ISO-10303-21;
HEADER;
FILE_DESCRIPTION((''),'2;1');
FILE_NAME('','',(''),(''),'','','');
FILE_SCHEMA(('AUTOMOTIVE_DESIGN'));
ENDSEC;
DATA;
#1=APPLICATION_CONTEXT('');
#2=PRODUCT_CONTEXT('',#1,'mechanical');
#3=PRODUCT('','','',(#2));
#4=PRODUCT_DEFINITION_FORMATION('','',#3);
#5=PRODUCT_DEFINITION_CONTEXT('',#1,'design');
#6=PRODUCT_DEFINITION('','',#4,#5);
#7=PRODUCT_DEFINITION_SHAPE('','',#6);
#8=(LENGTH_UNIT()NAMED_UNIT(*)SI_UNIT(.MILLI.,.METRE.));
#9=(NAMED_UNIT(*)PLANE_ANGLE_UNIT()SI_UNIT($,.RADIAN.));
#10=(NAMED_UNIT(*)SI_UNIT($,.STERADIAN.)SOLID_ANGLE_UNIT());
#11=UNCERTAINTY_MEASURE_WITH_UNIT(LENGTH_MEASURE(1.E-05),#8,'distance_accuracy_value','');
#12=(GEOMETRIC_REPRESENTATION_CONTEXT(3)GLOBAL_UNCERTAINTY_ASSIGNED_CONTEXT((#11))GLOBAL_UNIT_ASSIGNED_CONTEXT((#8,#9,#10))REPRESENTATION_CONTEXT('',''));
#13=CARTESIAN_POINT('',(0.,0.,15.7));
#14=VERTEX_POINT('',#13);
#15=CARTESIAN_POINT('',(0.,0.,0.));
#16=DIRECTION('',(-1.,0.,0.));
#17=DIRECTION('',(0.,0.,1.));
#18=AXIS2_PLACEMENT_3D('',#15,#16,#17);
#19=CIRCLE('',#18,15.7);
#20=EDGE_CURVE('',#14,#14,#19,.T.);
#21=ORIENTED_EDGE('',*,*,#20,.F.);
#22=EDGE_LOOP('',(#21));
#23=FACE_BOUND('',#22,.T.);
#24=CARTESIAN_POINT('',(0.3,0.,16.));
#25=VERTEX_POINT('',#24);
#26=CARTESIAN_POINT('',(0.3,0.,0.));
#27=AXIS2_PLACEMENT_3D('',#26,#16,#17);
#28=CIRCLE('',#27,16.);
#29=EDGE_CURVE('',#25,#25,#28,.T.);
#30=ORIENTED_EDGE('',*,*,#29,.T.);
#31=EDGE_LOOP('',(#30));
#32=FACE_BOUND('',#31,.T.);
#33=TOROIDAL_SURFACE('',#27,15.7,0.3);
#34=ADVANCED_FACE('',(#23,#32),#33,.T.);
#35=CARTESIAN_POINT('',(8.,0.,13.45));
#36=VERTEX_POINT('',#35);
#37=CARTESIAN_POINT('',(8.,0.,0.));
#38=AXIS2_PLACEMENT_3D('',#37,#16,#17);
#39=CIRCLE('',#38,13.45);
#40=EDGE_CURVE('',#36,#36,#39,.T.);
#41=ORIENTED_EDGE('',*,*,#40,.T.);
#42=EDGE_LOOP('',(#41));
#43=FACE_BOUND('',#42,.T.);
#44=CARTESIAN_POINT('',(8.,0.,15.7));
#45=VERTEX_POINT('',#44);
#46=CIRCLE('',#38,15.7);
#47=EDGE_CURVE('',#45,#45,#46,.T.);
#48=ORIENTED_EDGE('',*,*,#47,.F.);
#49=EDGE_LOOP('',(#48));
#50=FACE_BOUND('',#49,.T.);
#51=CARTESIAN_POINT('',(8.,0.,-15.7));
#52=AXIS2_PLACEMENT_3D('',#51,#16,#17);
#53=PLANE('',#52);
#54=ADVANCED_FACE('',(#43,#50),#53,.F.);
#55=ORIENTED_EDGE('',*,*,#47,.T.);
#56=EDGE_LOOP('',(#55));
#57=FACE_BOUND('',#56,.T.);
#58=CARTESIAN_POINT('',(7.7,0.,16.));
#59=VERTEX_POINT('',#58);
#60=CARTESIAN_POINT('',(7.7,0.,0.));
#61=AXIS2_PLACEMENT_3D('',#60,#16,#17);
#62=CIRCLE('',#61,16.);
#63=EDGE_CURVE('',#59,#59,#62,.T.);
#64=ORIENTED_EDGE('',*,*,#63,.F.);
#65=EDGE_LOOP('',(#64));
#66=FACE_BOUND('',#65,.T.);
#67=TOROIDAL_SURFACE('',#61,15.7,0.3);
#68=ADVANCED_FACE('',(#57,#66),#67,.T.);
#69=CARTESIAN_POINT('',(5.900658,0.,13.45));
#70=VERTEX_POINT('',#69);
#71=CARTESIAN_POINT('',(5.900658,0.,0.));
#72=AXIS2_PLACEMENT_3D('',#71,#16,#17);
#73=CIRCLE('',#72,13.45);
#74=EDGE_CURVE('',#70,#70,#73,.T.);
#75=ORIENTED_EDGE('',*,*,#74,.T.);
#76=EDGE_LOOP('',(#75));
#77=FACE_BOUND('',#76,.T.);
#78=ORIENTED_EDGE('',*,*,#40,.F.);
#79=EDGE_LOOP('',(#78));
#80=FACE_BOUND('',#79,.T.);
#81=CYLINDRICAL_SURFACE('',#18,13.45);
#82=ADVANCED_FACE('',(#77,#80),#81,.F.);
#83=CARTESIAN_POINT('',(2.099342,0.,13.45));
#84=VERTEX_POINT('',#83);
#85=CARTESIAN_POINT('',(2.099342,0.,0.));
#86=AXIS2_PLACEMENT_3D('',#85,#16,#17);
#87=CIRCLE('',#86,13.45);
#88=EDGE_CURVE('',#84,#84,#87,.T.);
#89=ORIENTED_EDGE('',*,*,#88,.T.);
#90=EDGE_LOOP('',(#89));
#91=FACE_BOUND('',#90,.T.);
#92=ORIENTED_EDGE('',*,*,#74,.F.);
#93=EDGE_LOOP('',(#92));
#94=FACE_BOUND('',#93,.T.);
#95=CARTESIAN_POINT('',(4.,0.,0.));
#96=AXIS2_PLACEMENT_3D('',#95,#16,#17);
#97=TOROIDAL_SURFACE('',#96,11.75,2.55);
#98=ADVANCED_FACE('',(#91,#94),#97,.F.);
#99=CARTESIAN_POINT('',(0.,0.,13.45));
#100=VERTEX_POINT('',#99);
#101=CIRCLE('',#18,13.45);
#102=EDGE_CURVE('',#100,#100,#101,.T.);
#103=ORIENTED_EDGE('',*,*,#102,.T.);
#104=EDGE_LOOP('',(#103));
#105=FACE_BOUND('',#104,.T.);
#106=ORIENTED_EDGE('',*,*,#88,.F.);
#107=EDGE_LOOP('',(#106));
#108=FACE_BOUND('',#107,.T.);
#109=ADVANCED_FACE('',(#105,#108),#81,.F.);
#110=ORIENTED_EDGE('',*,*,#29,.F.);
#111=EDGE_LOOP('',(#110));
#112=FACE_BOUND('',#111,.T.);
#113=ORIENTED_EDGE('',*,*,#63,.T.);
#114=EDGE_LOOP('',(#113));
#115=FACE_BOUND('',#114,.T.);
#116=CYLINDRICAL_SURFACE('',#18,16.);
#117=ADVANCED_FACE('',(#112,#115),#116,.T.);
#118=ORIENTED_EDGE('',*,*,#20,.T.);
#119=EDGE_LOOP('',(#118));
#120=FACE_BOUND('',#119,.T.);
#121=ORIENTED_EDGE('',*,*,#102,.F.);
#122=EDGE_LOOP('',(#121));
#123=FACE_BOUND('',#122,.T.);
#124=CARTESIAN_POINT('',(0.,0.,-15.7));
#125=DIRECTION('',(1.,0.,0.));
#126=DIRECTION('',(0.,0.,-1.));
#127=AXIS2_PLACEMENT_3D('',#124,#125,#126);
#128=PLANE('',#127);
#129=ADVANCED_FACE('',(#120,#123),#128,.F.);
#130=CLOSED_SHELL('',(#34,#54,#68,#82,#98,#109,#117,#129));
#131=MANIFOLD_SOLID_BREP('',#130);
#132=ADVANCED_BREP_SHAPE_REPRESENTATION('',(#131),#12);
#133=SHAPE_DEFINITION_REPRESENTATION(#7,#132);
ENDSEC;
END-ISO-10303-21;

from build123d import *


with BuildPart() as part:
    # Esquisse1 → Base-Révolution (revolve)
    with BuildSketch(Plane(origin=(0, 0, 0), x_dir=(1, 0, 0), z_dir=(0, 1, 0))):
        with BuildLine():
            Line((0, 15.7), (0, 13.45))
            Line((0, 13.45), (2.099342219, 13.45))
            ThreePointArc((2.099342219, 13.45), (4, 14.3), (5.900657781, 13.45))
            Line((5.900657781, 13.45), (8, 13.45))
            Line((8, 13.45), (8, 15.7))
            ThreePointArc((8, 15.7), (7.912132034, 15.912132034), (7.7, 16))
            Line((7.7, 16), (0.3, 16))
            ThreePointArc((0.3, 16), (0.087867966, 15.912132034), (0, 15.7))
        make_face()
    revolve(axis=Axis((0, 0, 0), (1, 0, 0)))


solid = part.part
